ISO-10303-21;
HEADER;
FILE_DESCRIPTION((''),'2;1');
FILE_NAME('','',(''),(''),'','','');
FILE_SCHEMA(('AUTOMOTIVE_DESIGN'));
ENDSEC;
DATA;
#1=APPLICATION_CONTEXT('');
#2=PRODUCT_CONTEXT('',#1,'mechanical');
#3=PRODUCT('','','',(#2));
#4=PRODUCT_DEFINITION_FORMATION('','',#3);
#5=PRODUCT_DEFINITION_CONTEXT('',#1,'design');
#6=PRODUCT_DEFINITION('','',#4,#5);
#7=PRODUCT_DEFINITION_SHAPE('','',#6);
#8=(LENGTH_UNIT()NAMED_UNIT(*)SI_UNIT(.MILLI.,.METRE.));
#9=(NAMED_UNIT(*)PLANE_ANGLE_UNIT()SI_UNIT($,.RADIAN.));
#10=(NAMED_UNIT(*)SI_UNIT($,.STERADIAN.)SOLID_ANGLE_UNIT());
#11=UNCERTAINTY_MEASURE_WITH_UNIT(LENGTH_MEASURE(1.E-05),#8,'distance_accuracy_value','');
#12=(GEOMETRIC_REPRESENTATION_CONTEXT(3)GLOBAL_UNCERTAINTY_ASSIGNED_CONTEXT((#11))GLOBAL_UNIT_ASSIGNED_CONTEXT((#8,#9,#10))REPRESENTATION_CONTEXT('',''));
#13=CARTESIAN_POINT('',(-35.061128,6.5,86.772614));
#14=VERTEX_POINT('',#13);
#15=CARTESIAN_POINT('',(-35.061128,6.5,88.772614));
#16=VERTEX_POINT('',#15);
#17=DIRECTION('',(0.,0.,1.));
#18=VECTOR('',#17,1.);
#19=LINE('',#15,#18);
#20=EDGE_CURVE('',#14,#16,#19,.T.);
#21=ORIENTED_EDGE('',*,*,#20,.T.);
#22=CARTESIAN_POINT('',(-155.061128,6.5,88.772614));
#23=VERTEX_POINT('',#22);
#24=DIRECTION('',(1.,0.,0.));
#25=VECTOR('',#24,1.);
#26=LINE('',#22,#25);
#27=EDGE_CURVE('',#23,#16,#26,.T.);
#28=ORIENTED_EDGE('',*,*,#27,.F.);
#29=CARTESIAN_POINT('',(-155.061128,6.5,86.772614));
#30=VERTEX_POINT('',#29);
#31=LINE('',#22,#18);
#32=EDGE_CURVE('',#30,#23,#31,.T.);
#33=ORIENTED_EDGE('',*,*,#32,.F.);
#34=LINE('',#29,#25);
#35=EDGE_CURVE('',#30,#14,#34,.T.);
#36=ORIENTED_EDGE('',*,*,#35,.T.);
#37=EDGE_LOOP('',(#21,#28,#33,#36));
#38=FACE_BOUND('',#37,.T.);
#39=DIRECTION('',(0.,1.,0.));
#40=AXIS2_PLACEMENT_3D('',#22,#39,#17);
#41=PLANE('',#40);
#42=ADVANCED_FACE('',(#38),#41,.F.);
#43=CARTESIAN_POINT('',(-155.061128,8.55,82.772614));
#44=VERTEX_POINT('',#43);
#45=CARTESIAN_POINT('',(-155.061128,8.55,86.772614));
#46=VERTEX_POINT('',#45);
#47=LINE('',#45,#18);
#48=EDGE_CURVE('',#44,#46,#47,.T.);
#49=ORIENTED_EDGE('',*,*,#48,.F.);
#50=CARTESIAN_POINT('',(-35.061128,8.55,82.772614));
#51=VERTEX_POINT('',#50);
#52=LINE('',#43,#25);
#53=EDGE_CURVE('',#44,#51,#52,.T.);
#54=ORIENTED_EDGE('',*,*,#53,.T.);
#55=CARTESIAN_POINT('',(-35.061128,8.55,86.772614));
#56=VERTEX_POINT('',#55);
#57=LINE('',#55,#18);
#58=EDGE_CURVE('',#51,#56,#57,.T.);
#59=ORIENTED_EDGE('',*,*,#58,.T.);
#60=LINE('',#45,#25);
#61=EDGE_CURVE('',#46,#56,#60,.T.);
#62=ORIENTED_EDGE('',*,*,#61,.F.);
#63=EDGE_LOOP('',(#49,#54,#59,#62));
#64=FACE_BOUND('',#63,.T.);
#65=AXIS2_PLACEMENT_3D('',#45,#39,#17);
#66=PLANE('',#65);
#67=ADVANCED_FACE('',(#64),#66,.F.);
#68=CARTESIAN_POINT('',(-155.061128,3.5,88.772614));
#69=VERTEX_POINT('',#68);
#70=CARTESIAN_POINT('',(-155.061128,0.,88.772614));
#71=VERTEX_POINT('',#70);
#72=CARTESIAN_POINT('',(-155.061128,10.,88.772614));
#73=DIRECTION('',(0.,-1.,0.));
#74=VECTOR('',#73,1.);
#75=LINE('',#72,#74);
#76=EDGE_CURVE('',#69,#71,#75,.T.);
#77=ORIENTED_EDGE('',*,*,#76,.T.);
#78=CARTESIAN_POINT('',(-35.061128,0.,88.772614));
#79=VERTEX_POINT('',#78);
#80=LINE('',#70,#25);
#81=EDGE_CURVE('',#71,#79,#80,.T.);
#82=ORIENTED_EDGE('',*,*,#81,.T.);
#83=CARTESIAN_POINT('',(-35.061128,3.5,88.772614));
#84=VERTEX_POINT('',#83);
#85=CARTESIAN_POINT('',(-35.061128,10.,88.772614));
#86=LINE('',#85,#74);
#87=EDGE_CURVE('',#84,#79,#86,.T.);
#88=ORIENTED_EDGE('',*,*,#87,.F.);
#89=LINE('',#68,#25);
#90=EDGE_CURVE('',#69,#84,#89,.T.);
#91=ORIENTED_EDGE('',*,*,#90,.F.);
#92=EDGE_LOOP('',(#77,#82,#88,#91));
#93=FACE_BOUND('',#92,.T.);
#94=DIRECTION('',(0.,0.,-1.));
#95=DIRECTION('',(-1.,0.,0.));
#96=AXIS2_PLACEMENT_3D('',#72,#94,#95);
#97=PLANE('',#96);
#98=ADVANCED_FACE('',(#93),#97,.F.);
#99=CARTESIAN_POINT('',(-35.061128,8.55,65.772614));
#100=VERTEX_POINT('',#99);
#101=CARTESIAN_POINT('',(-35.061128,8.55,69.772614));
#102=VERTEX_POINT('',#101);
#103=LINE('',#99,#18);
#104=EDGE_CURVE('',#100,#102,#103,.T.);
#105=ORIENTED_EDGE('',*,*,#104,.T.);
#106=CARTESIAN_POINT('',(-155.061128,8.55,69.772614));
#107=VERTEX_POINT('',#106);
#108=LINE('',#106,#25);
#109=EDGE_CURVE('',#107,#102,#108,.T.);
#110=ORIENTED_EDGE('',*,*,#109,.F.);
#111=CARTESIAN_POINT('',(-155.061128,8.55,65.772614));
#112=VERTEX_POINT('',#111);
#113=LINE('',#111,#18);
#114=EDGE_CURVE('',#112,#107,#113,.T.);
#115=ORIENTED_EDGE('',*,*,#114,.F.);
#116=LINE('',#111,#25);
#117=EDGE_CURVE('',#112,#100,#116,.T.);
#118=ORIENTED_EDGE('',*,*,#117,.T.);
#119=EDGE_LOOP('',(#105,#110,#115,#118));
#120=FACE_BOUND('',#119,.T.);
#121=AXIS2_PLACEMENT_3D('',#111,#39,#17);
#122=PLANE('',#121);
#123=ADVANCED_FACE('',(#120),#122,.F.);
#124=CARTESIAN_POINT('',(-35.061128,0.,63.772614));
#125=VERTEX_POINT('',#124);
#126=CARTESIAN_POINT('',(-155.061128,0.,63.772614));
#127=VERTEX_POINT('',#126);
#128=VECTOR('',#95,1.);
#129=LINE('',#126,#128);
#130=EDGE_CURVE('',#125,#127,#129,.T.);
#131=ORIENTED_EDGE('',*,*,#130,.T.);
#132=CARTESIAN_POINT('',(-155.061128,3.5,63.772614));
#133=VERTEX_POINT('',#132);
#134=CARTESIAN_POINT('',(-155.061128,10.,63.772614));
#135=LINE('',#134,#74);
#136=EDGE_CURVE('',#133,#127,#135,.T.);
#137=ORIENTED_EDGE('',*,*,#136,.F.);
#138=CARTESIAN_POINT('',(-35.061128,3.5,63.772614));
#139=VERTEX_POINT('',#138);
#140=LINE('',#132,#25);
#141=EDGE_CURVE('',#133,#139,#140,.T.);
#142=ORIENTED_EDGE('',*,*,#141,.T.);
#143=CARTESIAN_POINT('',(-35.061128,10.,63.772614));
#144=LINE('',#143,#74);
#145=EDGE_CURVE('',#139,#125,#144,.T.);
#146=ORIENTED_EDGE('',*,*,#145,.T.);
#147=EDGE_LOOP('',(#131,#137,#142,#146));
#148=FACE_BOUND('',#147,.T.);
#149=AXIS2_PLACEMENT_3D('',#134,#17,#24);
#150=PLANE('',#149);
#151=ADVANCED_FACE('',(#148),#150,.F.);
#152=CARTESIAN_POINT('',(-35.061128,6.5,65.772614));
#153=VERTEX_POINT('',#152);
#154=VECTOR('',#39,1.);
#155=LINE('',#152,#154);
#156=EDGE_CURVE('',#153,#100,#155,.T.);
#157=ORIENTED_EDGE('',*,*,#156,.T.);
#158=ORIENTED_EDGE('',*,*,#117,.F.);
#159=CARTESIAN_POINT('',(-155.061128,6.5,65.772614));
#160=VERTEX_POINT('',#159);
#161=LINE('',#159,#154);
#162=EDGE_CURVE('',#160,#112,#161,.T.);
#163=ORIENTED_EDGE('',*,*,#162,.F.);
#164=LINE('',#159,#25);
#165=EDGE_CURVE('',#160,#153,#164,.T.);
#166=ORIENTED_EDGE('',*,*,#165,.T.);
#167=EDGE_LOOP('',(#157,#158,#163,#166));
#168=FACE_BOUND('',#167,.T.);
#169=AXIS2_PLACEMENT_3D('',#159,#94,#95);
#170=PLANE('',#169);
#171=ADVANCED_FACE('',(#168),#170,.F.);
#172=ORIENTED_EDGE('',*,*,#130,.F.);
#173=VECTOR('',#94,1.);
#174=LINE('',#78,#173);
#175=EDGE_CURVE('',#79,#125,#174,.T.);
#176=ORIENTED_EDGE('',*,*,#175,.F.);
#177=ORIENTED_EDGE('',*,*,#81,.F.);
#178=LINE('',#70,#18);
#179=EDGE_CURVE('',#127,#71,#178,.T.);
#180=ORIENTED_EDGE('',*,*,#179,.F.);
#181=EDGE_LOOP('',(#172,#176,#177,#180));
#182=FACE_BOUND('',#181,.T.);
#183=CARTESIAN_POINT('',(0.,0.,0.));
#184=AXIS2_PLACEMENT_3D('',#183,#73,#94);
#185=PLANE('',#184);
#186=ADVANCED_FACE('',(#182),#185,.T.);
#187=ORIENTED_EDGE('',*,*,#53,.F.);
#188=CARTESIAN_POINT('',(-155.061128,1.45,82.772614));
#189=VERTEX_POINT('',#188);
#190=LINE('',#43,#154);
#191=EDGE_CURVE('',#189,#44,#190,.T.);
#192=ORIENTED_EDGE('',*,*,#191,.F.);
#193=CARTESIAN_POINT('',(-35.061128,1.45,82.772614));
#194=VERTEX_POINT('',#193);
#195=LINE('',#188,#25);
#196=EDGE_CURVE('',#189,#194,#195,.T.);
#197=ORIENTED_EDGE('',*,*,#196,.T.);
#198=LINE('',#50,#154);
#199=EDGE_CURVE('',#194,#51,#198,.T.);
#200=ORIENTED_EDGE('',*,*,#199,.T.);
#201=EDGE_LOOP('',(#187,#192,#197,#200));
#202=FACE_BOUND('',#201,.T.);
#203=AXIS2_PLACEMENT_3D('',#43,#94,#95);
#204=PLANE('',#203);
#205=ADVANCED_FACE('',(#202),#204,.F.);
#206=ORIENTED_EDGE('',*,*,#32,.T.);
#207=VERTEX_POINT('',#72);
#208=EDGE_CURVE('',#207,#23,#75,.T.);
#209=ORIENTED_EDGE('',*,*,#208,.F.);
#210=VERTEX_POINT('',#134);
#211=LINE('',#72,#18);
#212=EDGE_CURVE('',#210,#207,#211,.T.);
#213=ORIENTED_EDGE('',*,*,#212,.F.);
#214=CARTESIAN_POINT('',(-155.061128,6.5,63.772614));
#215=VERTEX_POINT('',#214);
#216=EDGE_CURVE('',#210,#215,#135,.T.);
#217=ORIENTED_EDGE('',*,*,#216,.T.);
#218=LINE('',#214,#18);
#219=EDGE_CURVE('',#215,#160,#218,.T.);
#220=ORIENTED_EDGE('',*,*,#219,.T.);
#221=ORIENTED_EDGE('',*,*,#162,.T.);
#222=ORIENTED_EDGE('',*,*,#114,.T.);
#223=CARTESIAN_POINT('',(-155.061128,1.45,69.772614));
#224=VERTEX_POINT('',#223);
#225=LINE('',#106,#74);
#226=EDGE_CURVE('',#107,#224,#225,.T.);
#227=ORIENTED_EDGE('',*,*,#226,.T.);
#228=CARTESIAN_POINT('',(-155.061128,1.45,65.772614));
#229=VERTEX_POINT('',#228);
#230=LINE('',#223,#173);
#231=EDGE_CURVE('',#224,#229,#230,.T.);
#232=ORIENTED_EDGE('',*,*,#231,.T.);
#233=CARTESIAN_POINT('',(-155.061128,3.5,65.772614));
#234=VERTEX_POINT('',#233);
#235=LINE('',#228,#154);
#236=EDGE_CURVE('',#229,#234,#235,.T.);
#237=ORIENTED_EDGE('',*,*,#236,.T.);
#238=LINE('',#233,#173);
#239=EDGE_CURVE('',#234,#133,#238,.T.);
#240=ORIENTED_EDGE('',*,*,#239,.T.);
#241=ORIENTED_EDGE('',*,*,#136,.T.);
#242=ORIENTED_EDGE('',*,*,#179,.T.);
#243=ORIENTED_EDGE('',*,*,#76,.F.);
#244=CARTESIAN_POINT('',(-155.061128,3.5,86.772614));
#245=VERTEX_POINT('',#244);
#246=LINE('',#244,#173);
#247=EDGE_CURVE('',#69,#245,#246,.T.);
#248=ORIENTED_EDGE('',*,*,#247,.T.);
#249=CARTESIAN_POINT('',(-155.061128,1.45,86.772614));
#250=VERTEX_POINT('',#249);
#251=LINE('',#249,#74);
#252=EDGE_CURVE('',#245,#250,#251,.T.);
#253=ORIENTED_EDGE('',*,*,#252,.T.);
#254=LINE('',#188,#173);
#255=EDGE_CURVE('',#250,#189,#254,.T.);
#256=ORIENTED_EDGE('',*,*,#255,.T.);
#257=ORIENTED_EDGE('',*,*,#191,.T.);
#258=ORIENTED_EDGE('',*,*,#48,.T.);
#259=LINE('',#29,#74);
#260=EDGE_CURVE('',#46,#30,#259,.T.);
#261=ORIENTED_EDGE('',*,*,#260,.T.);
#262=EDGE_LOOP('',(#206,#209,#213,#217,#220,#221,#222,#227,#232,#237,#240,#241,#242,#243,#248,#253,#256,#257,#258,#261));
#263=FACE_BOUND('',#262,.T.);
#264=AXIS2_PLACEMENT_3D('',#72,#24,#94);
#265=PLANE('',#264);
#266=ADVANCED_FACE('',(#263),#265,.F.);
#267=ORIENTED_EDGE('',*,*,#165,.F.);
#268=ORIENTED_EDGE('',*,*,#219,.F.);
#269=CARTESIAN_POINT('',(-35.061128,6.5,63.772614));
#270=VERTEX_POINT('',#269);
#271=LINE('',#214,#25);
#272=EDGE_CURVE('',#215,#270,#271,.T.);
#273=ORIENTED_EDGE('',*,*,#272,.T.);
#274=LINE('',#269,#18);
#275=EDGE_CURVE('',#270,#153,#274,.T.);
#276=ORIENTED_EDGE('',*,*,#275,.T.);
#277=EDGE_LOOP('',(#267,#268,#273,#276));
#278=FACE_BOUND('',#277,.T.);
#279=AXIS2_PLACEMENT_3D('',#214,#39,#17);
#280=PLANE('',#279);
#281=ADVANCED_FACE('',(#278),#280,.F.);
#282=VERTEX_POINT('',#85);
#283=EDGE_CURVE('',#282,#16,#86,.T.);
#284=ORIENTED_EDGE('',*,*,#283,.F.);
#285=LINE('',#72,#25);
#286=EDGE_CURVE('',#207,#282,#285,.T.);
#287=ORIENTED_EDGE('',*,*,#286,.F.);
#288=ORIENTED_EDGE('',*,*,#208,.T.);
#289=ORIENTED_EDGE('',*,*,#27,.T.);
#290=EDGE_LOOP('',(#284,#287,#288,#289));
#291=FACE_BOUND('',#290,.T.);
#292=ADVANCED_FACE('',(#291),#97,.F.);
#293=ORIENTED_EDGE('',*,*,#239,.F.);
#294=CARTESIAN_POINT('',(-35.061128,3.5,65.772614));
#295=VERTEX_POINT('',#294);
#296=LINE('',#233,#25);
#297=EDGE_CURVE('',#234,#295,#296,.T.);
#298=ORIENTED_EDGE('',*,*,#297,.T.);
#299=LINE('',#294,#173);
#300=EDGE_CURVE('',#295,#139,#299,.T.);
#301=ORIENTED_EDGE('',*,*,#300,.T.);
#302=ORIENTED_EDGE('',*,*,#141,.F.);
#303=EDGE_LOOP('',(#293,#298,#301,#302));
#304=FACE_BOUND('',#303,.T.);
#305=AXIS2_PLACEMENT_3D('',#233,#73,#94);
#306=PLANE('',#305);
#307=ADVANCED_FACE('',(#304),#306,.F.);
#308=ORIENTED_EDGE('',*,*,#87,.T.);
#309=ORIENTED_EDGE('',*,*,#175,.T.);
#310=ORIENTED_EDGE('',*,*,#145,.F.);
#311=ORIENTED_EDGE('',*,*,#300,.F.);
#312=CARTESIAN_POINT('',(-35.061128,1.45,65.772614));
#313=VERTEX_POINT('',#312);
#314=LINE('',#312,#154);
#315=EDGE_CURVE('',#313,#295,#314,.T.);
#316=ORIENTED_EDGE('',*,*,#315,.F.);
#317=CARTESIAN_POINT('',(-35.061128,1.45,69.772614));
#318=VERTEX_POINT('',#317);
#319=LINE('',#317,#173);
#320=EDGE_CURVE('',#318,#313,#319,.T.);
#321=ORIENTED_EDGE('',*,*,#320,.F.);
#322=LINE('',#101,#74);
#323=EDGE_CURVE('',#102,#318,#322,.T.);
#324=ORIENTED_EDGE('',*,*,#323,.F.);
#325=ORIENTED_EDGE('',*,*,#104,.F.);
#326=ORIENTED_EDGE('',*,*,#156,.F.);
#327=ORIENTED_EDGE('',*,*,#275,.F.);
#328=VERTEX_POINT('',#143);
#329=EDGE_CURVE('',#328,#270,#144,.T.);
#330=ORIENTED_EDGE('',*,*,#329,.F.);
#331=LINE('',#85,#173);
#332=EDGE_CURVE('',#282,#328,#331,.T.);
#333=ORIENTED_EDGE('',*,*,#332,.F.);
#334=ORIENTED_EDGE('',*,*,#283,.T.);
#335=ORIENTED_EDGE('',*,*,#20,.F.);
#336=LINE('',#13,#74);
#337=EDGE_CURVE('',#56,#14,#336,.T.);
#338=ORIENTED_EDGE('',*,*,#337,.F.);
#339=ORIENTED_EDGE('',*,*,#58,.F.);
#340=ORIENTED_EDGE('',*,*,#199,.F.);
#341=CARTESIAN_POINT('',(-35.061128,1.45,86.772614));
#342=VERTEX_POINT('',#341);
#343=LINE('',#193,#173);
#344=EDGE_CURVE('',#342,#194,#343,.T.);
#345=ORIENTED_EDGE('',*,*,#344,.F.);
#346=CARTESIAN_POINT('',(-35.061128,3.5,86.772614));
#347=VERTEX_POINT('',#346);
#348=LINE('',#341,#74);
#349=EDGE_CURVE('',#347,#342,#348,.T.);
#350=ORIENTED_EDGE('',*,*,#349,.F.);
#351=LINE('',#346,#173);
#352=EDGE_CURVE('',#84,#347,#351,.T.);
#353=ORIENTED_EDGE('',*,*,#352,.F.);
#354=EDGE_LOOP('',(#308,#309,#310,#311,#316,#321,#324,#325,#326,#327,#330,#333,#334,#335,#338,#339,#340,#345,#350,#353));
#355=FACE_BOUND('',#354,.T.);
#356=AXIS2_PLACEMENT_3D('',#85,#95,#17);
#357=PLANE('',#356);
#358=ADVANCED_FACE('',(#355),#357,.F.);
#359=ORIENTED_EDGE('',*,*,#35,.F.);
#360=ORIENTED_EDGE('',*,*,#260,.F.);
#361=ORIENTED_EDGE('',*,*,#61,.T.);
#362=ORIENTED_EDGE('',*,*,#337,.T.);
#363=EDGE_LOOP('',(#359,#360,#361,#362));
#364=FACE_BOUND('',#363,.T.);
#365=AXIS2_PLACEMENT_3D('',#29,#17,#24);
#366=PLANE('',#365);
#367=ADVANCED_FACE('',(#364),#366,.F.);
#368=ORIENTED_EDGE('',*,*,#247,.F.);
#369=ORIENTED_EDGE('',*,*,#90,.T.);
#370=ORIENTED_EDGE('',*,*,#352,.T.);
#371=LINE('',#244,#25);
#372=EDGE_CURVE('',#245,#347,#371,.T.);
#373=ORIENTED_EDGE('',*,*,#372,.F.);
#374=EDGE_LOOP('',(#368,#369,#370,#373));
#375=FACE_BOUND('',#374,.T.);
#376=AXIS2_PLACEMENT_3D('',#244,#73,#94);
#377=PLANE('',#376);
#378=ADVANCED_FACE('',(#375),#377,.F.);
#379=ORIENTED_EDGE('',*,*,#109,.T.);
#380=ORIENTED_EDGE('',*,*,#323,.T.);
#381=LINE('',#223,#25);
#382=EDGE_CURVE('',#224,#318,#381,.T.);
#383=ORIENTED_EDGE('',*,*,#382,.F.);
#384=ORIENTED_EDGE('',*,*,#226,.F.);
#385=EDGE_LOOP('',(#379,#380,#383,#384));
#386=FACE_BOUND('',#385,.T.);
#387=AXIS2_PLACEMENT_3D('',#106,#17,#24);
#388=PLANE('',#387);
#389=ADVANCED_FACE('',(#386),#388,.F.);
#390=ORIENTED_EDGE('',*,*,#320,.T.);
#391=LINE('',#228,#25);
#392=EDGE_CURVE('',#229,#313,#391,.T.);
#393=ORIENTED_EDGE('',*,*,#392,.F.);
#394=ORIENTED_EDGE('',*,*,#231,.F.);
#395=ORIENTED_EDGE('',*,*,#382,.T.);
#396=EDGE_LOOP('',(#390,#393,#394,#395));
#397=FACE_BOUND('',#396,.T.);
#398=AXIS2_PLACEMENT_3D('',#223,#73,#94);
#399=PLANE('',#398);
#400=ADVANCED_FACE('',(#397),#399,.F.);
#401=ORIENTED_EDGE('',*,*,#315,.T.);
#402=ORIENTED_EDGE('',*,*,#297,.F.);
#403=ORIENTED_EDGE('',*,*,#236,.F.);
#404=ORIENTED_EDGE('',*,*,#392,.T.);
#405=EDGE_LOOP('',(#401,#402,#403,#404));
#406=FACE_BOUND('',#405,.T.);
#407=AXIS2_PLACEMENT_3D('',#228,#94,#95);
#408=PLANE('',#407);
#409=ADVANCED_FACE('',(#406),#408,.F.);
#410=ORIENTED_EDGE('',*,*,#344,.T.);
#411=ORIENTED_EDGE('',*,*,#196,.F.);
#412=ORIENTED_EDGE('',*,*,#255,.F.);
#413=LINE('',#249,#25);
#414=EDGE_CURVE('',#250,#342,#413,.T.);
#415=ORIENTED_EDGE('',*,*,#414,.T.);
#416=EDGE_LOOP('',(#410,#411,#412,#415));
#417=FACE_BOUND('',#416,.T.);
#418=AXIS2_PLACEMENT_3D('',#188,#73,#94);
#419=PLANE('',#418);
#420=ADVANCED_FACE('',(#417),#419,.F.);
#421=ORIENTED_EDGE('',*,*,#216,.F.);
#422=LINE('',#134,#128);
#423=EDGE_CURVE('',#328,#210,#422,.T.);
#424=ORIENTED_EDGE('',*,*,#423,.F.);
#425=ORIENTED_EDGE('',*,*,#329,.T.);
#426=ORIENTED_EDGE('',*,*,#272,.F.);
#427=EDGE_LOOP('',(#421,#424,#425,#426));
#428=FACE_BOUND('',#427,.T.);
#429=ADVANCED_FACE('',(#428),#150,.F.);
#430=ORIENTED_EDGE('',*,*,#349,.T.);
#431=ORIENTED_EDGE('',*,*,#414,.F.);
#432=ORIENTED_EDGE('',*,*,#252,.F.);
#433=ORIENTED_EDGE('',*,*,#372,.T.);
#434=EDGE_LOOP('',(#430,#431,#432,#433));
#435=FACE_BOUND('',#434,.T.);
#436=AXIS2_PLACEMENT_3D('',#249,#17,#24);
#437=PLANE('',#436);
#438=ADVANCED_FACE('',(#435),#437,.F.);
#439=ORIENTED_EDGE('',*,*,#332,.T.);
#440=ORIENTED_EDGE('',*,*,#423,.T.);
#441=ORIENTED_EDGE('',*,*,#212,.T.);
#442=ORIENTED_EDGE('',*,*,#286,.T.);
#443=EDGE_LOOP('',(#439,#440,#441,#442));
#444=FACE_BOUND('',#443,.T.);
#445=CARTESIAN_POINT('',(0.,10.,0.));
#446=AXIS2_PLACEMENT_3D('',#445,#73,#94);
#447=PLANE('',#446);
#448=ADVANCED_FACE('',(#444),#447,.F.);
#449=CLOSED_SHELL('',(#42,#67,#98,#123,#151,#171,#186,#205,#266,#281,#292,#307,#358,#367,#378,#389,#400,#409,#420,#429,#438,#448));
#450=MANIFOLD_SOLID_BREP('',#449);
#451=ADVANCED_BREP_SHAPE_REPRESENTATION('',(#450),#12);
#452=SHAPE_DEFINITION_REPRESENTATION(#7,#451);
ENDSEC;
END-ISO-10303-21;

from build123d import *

# Parameters (mm, degrees)
SKETCH1_W           = 120
SKETCH1_H           = 25
BOSS_EXTRUDE1_DEPTH = 10
CUT_EXTRUDE1_DEPTH  = 120
CUT_EXTRUDE2_DEPTH  = 120


with BuildPart() as part:
    # Sketch1 → Boss-Extrude1 (new body)
    with BuildSketch(Plane(origin=(0, 0, 0), x_dir=(1, 0, 0), z_dir=(0, 1, 0))):
        with Locations((-95.061127507, -76.27261395)):
            Rectangle(SKETCH1_W, SKETCH1_H)
    extrude(amount=BOSS_EXTRUDE1_DEPTH)

    # Sketch2 → Cut-Extrude1 (cut)
    with BuildSketch(Plane(origin=(-35.061127507, 0, 0), x_dir=(0, 0, -1), z_dir=(1, 0, 0))):
        Polygon((-63.77261395, 6.5), (-65.77261395, 6.5), (-65.77261395, 8.55), (-69.77261395, 8.55), (-69.77261395, 1.45), (-65.77261395, 1.45), (-65.77261395, 3.5), (-63.77261395, 3.5), align=None)
    extrude(amount=-CUT_EXTRUDE1_DEPTH, mode=Mode.SUBTRACT)

    # Sketch3 → Cut-Extrude2 (cut)
    with BuildSketch(Plane(origin=(-35.061127507, 0, 0), x_dir=(0, 0, -1), z_dir=(1, 0, 0))):
        Polygon((-88.77261395, 6.5), (-86.77261395, 6.5), (-86.77261395, 8.55), (-82.77261395, 8.55), (-82.77261395, 1.45), (-86.77261395, 1.45), (-86.77261395, 3.5), (-88.77261395, 3.5), align=None)
    extrude(amount=-CUT_EXTRUDE2_DEPTH, mode=Mode.SUBTRACT)


solid = part.part
